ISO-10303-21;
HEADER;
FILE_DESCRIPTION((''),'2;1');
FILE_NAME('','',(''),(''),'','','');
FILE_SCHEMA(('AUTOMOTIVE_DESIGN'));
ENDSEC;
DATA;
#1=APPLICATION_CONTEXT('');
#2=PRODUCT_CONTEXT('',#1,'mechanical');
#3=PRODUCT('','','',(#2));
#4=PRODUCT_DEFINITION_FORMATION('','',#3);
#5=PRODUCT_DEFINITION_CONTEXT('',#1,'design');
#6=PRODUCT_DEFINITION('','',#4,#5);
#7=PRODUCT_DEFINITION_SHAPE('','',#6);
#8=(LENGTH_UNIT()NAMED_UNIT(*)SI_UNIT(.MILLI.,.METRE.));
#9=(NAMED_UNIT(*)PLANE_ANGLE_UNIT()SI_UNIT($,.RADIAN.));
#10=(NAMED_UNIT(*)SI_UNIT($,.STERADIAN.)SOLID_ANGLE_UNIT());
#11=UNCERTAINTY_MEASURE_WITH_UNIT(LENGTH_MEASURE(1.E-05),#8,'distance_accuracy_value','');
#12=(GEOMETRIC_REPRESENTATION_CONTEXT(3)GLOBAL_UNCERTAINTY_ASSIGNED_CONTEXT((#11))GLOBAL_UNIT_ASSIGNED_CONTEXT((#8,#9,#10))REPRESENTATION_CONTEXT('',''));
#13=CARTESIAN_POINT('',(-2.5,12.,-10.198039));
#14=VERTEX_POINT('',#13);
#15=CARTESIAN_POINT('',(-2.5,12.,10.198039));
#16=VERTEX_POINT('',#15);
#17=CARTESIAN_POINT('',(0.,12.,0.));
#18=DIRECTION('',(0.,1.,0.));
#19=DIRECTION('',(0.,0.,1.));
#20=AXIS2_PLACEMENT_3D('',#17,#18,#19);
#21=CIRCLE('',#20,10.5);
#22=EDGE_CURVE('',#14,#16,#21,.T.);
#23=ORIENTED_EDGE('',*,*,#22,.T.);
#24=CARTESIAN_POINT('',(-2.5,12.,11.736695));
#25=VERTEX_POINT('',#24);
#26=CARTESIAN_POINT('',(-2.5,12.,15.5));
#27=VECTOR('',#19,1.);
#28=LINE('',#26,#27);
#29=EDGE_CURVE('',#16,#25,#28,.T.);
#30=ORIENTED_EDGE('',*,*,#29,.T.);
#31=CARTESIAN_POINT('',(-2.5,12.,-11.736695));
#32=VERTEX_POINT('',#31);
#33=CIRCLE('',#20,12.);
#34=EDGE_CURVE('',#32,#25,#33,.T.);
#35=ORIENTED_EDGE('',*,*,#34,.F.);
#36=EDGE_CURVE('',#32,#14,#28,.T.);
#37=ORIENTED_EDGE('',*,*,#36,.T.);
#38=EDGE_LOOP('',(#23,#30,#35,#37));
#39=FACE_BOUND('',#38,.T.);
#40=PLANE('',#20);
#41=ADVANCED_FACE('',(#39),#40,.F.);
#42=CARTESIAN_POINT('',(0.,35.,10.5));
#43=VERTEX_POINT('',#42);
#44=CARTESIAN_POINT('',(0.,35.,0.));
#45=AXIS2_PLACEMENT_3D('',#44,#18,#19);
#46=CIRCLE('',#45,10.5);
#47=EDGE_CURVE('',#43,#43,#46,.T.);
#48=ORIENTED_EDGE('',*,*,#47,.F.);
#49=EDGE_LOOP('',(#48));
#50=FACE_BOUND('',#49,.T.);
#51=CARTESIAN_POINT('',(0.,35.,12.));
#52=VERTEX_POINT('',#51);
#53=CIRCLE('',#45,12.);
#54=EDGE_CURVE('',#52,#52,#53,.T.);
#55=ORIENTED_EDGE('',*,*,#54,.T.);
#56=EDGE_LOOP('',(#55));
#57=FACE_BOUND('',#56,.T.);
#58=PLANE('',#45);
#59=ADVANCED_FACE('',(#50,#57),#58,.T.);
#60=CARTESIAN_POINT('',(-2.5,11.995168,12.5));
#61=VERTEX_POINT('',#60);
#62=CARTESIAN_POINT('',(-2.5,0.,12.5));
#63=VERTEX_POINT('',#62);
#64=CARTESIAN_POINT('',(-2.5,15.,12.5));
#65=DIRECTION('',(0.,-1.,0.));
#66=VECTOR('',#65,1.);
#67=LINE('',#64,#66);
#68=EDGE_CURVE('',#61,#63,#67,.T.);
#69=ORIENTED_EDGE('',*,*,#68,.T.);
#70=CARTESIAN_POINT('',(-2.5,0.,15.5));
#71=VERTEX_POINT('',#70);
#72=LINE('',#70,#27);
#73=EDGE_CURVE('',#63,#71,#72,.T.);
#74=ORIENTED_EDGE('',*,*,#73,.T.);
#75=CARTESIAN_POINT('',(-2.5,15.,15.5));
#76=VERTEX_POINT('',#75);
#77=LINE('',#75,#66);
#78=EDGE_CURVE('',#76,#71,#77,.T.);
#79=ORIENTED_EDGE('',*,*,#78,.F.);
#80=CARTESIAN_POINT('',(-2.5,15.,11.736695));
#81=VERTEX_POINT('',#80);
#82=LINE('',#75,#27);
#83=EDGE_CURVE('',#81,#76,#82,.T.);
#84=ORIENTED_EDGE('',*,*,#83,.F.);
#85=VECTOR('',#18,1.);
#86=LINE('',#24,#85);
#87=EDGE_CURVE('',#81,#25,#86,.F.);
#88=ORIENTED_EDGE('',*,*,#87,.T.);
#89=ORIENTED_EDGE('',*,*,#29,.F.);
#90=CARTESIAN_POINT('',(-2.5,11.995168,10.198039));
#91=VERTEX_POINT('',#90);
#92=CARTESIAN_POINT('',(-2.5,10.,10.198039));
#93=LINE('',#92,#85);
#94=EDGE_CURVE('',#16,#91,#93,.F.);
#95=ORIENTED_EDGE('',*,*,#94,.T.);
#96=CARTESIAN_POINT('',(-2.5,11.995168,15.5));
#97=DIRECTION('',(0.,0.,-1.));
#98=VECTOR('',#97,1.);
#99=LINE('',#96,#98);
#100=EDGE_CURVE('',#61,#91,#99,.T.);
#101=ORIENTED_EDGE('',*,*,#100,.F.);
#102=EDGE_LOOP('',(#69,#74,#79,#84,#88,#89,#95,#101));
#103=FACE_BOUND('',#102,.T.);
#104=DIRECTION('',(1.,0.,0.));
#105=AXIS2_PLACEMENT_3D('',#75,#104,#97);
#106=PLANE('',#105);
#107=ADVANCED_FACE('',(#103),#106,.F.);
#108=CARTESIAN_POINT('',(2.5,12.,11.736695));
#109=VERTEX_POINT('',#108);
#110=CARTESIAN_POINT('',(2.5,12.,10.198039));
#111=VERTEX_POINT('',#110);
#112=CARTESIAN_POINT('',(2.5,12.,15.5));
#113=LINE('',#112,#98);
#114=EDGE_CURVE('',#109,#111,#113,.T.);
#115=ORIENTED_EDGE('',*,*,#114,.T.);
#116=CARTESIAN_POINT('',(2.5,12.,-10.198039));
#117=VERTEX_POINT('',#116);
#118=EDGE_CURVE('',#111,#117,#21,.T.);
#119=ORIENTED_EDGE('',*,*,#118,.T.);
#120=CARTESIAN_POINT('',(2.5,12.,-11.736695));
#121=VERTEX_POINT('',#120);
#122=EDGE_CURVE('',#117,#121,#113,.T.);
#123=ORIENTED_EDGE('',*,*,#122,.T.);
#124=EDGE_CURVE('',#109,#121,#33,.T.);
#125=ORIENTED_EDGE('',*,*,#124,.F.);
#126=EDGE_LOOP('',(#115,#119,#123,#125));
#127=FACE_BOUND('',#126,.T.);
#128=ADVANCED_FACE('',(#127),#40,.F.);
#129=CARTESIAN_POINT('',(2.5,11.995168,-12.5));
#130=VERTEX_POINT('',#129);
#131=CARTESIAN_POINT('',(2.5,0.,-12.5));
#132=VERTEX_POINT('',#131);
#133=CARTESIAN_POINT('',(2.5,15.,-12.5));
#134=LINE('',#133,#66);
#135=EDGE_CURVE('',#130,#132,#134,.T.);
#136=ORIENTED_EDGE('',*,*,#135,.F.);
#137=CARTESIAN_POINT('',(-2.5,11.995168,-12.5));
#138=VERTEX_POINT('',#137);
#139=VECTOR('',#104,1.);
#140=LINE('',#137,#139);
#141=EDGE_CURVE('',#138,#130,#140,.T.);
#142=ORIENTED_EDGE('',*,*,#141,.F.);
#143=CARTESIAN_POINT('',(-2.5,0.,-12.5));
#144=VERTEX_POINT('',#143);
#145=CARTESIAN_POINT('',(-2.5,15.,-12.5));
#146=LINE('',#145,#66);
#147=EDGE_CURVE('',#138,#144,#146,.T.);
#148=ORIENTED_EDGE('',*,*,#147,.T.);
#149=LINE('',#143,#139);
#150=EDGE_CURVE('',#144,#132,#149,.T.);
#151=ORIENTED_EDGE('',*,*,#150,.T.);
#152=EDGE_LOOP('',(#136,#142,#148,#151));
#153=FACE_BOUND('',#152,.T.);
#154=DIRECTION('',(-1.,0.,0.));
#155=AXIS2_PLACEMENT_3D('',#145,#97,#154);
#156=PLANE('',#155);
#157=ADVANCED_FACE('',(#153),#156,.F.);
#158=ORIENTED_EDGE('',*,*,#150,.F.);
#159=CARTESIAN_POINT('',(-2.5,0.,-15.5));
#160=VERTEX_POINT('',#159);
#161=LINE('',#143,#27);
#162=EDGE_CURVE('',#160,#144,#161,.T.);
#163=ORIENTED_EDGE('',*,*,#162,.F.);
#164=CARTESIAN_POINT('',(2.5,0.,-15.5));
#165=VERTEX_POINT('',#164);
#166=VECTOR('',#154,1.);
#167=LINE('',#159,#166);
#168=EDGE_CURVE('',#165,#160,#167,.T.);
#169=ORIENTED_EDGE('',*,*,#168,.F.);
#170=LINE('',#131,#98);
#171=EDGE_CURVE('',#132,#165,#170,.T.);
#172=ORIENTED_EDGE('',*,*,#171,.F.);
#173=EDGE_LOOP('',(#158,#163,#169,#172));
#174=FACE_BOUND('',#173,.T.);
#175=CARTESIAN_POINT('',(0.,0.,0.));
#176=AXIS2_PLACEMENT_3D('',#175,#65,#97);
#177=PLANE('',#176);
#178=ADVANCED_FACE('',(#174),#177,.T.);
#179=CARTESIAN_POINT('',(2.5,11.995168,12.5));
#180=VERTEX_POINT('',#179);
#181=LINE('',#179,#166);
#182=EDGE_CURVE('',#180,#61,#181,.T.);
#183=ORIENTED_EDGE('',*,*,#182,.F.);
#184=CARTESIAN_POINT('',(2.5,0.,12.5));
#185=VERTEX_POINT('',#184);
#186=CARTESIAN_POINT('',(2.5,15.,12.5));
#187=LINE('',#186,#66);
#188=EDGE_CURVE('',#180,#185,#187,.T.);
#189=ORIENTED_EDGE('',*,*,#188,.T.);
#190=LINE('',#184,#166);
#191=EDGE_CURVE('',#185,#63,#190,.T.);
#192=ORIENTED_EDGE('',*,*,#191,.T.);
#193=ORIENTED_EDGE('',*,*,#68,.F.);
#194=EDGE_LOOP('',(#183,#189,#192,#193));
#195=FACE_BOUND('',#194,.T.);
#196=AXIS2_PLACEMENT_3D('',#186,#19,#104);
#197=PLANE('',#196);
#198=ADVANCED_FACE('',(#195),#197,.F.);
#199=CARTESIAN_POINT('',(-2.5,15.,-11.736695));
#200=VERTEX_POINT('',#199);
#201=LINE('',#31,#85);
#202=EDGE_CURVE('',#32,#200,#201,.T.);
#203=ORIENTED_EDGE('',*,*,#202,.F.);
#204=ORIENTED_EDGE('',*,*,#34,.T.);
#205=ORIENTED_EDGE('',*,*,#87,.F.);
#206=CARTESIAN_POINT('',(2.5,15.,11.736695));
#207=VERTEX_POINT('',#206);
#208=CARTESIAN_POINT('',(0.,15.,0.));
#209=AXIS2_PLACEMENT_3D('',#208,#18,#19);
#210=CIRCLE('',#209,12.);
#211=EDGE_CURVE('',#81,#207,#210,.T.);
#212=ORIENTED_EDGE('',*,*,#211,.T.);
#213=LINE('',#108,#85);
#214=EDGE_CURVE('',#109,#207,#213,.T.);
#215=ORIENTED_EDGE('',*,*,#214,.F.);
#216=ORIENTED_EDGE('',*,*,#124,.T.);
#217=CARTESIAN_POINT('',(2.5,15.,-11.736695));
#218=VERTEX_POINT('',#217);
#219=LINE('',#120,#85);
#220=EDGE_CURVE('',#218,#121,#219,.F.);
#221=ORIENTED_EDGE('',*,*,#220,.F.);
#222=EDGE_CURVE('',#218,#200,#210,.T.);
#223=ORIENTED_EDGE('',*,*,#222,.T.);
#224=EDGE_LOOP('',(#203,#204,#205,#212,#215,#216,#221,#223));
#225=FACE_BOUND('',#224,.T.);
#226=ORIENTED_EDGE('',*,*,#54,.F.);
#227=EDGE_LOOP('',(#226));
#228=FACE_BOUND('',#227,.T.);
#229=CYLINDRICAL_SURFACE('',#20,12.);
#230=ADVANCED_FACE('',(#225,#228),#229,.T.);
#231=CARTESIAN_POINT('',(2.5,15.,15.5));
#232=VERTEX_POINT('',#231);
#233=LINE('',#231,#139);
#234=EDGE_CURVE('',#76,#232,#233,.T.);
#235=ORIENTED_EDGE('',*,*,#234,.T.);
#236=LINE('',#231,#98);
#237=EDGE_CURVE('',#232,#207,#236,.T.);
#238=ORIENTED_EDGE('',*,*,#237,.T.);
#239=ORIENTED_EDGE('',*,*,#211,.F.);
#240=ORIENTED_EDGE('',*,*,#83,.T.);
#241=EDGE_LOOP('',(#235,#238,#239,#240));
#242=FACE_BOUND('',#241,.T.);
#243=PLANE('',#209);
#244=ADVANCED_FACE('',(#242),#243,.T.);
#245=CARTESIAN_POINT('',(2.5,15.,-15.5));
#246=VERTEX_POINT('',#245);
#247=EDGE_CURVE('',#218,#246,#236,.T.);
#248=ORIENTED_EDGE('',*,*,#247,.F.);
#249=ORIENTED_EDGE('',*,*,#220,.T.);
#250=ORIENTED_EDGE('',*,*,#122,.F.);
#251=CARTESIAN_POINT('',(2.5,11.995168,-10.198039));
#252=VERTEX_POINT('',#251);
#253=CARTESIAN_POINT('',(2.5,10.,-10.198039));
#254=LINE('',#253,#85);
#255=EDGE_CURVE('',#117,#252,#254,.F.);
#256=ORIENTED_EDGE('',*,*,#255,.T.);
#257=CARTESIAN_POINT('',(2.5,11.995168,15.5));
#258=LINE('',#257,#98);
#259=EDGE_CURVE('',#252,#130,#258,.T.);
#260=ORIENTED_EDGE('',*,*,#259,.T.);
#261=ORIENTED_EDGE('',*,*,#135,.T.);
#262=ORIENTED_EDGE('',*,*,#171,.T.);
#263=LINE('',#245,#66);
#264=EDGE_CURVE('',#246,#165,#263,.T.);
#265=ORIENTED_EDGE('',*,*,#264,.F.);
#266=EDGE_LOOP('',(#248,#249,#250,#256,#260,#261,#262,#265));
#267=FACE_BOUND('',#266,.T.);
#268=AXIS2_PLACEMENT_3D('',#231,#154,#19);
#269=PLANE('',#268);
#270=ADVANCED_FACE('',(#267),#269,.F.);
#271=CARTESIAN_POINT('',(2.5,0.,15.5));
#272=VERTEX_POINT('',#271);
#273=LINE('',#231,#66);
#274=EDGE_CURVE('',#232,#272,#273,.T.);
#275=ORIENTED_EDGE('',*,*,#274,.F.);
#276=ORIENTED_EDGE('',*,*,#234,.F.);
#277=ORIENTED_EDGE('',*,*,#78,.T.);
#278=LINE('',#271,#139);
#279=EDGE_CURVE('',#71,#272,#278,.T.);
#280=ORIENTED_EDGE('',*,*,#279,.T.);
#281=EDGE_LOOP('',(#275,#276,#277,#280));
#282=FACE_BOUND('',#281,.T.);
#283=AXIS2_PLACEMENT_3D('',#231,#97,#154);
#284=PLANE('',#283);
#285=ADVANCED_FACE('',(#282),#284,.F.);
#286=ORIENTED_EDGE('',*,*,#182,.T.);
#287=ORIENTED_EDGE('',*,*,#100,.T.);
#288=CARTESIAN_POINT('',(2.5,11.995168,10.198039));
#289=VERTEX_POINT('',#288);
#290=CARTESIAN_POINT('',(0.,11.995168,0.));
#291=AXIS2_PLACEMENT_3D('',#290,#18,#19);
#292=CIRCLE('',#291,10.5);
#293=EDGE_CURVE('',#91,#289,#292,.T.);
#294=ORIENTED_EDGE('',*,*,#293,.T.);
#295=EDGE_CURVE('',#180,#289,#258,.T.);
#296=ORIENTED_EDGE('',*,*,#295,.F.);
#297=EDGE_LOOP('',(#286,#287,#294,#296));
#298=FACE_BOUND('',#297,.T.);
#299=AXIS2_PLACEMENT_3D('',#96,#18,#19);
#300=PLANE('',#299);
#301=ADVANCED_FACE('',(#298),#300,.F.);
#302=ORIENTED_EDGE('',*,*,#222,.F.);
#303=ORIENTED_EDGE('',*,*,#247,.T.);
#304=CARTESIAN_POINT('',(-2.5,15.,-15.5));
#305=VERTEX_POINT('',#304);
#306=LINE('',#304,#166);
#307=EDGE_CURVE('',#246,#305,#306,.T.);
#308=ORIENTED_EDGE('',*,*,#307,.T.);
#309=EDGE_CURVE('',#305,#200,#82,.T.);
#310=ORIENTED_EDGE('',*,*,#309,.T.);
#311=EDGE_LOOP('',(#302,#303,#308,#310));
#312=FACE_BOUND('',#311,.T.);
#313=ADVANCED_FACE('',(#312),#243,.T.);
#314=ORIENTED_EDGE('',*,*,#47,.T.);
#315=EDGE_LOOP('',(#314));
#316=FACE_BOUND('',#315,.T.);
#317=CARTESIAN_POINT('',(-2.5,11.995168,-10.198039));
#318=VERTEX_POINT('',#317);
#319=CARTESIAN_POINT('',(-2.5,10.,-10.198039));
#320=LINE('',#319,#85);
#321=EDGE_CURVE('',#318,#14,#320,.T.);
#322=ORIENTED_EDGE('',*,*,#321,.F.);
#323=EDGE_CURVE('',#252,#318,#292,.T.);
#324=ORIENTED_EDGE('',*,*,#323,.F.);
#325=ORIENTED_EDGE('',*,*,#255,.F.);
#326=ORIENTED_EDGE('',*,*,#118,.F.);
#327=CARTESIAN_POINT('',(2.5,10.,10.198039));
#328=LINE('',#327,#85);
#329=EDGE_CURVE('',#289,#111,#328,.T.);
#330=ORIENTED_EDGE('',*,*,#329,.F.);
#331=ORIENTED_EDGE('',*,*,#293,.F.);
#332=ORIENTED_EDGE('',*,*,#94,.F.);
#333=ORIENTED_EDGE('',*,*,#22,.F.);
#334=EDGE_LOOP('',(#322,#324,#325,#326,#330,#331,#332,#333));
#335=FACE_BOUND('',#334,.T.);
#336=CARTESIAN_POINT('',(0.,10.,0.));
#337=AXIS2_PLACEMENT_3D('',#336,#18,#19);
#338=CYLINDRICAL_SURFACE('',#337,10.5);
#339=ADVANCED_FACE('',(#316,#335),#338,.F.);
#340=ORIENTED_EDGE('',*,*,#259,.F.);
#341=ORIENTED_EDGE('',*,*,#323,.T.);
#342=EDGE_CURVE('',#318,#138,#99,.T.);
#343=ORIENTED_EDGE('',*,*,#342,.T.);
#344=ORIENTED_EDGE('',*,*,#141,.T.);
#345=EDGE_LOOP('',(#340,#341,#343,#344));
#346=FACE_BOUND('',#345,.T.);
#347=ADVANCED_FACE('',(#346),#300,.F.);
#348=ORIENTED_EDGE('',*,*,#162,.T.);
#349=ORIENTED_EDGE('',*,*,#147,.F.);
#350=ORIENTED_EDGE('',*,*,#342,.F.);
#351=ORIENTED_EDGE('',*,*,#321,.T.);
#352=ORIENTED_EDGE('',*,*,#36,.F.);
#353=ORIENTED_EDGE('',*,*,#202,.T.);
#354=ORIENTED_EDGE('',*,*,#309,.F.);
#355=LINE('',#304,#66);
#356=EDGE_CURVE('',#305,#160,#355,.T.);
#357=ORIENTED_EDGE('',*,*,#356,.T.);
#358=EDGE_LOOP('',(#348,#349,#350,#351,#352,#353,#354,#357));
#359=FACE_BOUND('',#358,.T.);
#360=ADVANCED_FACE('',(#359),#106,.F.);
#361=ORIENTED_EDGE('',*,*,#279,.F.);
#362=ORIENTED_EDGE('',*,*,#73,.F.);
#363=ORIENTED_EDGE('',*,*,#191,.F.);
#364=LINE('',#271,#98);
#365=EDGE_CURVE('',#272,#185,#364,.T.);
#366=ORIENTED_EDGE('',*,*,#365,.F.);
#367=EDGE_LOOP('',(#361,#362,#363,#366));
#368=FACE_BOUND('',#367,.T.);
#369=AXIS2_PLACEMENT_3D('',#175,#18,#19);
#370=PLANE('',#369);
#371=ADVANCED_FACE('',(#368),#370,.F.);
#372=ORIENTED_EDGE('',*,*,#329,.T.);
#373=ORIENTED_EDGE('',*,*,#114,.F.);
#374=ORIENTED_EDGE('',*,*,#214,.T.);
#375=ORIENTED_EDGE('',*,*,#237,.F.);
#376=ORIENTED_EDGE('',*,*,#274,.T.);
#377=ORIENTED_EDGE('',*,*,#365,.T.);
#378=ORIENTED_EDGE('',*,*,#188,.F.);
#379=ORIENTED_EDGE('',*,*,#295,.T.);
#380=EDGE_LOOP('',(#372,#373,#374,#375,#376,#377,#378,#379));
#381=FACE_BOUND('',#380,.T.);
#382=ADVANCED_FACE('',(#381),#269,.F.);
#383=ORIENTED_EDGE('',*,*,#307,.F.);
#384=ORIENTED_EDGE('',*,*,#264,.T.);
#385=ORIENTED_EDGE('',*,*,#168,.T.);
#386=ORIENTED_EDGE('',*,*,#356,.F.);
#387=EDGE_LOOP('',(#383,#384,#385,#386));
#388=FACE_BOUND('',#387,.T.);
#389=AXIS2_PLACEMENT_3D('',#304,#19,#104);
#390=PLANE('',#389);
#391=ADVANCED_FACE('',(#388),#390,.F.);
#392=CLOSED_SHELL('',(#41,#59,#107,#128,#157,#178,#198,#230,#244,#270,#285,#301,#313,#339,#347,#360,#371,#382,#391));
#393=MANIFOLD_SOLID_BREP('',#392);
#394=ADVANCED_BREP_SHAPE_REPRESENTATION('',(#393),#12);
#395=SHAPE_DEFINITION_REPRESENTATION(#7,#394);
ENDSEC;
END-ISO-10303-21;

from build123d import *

# Parameters (mm, degrees)
SKETCH1_W                = 5
SKETCH1_H                = 3
BOSS_EXTRUDE1_DEPTH      = 15
BOSS_EXTRUDE1_2_DEPTH    = 15
BOSS_EXTRUDE2_DEPTH      = 20
BOSS_EXTRUDE2_DEPTH_BACK = 3
SKETCH2_R                = 12
SKETCH4_W                = 5
SKETCH4_H                = 3.004832049
BOSS_EXTRUDE3_DEPTH      = 28
SKETCH3_R                = 10.5
CUT_EXTRUDE1_DEPTH       = 25


with BuildPart() as part:
    # Sketch1 → Boss-Extrude1 (new body)
    with BuildSketch(Plane(origin=(0, 0, 0), x_dir=(1, 0, 0), z_dir=(0, 1, 0))):
        with Locations((0, -14)):
            Rectangle(SKETCH1_W, SKETCH1_H)
    extrude(amount=BOSS_EXTRUDE1_DEPTH)



with BuildPart() as body_2:
    # Sketch1 → Boss-Extrude1 2 (new body)
    with BuildSketch(Plane(origin=(0, 0, 0), x_dir=(1, 0, 0), z_dir=(0, 1, 0))):
        with Locations((0, 14)):
            Rectangle(SKETCH1_W, SKETCH1_H)
    extrude(amount=BOSS_EXTRUDE1_2_DEPTH)


with BuildPart() as body_3:
    # Sketch2 → Boss-Extrude2 (new, two sides: drawn at the far end of the back side and taken through both)
    with BuildSketch(Plane(origin=(0, 15, 0), x_dir=(1, 0, 0), z_dir=(0, 1, 0)).offset(-BOSS_EXTRUDE2_DEPTH_BACK)):
        with Locations(Location((0, 0, 0), (0, 0, 270))):
            Circle(SKETCH2_R)
    extrude(amount=BOSS_EXTRUDE2_DEPTH + BOSS_EXTRUDE2_DEPTH_BACK)


with BuildPart() as part_1:
    add(part.part)

    add(body_2.part)  # Boss-Extrude3 merges body 2

    add(body_3.part)  # Boss-Extrude3 merges body 3
    # Sketch4 → Boss-Extrude3 (add)
    with BuildSketch(Plane.XY.offset(-12.5)):
        with Locations((0, 13.497583976)):
            Rectangle(SKETCH4_W, SKETCH4_H)
    extrude(amount=BOSS_EXTRUDE3_DEPTH)

    # Sketch3 → Cut-Extrude1 (cut)
    with BuildSketch(Plane(origin=(0, 35, 0), x_dir=(1, 0, 0), z_dir=(0, 1, 0))):
        with Locations(Location((0, 0, 0), (0, 0, 270))):
            Circle(SKETCH3_R)
    extrude(amount=-CUT_EXTRUDE1_DEPTH, mode=Mode.SUBTRACT)


solid = part_1.part
